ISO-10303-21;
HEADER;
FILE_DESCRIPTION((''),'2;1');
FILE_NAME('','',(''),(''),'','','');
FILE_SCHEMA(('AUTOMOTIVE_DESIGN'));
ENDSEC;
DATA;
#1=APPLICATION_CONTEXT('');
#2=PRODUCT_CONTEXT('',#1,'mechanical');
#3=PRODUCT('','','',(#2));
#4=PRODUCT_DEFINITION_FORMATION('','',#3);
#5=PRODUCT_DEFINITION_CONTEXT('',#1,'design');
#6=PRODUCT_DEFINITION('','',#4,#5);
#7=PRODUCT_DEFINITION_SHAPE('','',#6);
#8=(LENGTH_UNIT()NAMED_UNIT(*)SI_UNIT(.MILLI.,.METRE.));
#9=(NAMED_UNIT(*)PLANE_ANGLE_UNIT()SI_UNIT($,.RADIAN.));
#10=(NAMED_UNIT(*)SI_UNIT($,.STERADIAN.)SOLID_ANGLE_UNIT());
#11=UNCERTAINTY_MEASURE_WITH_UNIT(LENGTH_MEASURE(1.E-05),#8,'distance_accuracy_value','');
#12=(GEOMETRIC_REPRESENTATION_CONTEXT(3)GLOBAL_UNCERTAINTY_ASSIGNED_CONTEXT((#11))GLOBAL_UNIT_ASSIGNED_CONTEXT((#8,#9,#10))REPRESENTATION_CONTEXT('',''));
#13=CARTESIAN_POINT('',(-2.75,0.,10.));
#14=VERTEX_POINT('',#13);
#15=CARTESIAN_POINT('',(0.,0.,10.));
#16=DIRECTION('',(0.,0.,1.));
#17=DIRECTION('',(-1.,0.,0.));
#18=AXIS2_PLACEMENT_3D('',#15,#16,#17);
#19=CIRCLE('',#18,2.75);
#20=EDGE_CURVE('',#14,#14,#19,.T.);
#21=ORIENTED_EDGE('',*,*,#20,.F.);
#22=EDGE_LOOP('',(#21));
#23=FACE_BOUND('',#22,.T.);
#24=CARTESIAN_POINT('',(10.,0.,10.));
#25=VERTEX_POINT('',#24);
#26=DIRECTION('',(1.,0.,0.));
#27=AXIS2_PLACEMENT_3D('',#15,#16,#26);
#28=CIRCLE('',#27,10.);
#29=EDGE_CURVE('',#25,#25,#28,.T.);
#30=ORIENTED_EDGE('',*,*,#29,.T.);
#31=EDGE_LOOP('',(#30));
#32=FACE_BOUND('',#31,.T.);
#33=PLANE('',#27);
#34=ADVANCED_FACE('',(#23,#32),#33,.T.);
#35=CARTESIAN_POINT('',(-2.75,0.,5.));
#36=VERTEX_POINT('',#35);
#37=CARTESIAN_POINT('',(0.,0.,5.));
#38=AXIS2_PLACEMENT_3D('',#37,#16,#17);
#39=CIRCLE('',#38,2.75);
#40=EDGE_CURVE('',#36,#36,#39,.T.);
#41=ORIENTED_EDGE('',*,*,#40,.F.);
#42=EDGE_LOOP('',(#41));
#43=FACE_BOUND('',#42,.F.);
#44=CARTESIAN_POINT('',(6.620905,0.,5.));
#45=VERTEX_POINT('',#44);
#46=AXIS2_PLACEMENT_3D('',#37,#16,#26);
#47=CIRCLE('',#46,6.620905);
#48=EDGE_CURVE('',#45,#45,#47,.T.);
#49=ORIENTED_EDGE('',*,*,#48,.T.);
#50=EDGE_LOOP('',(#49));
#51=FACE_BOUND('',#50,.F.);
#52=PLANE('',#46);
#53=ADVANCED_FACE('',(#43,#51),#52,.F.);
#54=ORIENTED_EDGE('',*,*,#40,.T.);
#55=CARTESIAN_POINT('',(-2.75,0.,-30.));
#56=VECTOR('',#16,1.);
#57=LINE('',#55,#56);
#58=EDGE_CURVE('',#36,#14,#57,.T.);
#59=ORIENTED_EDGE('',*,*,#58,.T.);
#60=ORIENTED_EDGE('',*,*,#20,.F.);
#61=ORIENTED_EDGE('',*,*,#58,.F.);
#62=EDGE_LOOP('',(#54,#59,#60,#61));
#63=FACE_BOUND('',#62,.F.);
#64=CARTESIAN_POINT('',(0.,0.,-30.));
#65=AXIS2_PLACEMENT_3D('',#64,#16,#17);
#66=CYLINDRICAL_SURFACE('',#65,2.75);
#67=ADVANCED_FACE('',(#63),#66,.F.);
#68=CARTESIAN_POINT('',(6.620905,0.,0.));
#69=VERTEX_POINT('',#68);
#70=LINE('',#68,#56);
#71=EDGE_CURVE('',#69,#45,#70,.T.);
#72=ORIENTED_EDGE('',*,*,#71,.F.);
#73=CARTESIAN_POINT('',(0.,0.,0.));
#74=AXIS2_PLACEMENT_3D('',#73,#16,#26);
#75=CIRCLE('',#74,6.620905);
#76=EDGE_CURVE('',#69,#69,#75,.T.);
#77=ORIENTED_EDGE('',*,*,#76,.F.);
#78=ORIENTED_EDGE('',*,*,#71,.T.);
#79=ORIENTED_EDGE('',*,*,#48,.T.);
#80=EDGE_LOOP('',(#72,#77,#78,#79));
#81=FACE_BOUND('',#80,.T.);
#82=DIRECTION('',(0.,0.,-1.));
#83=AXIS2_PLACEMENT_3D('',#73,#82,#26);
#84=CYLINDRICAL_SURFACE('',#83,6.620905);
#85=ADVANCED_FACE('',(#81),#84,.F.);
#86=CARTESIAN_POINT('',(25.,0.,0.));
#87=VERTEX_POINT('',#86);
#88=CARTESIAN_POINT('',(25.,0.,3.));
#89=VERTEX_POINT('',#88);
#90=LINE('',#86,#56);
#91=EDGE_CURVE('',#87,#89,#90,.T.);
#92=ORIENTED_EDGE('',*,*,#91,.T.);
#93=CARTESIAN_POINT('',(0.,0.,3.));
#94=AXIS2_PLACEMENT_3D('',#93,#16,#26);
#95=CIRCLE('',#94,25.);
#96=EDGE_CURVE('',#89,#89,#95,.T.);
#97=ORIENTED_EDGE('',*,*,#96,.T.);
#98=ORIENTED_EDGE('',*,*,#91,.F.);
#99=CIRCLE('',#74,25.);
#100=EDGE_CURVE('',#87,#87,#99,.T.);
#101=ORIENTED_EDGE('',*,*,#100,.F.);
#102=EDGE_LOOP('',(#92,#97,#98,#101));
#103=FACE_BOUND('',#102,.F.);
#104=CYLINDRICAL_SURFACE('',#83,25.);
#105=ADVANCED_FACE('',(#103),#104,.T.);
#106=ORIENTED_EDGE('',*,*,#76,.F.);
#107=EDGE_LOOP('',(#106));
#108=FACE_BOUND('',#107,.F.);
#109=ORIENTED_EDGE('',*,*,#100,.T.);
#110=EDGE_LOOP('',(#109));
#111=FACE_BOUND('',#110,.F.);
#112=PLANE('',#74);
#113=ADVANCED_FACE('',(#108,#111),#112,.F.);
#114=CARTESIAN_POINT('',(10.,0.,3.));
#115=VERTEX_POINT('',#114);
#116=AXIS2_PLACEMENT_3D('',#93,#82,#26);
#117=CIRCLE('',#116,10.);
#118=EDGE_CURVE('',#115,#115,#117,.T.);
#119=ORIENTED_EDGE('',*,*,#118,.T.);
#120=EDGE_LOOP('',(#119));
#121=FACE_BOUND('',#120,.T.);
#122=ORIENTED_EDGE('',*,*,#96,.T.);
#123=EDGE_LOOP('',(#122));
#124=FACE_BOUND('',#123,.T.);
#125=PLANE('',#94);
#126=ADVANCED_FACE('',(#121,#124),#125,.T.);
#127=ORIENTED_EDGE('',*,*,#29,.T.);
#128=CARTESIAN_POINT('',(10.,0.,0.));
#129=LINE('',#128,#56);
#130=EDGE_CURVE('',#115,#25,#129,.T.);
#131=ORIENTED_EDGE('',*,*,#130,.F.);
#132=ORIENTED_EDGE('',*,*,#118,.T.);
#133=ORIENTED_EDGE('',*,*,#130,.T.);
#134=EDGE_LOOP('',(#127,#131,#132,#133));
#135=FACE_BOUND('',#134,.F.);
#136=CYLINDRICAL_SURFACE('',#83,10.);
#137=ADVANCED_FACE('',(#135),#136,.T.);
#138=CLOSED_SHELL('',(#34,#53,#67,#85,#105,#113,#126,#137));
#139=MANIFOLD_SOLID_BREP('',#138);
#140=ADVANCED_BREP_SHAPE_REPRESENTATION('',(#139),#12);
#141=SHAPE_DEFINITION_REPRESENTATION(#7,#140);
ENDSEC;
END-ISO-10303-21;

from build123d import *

# Parameters (mm, degrees)
F0_R     = 25
F0_R_2   = 10
F1_DEPTH = 3
F2_DEPTH = 10
F3_D     = 5.5
F3_DEPTH = 30
F3_TIP   = 1.6523667023
F4_R     = 6.6209049639
F5_DEPTH = 5


with BuildPart() as f1:
    # F0 (on Top) → F1 (new body)
    with BuildSketch(Plane.XY):
        Circle(F0_R)
        Circle(F0_R_2, mode=Mode.SUBTRACT)
        Circle(F0_R_2)
    extrude(amount=F1_DEPTH)

    # F0 (on Top) → F2 (join)
    with BuildSketch(Plane.XY):
        Circle(F0_R_2)
    extrude(amount=F2_DEPTH)

    # F3
    with Locations(Plane(origin=(0, 0, 0), x_dir=(1, 0, 0), z_dir=(0, 0, -1))):
        with Locations((0, 0)):
            Hole(F3_D / 2, depth=F3_DEPTH)
            with Locations((0, 0, -(F3_DEPTH + F3_TIP / 2))):  # 118° drill point
                Cone(0, F3_D / 2, F3_TIP, mode=Mode.SUBTRACT)

    # F4 (on face) → F5 (cut)
    with BuildSketch(Plane.XY):
        Circle(F4_R)
        Polygon((-4.8497422612, 0), (-2.4248711306, 4.2), (2.4248711306, 4.2), (4.8497422612, 0), (2.4248711306, -4.2), (-2.4248711306, -4.2), align=None, mode=Mode.SUBTRACT)
        Polygon((2.4248711306, 4.2), (-2.4248711306, 4.2), (-4.8497422612, 0), (-2.4248711306, -4.2), (2.4248711306, -4.2), (4.8497422612, 0), align=None)
    extrude(amount=F5_DEPTH, mode=Mode.SUBTRACT)


solid = f1.part
